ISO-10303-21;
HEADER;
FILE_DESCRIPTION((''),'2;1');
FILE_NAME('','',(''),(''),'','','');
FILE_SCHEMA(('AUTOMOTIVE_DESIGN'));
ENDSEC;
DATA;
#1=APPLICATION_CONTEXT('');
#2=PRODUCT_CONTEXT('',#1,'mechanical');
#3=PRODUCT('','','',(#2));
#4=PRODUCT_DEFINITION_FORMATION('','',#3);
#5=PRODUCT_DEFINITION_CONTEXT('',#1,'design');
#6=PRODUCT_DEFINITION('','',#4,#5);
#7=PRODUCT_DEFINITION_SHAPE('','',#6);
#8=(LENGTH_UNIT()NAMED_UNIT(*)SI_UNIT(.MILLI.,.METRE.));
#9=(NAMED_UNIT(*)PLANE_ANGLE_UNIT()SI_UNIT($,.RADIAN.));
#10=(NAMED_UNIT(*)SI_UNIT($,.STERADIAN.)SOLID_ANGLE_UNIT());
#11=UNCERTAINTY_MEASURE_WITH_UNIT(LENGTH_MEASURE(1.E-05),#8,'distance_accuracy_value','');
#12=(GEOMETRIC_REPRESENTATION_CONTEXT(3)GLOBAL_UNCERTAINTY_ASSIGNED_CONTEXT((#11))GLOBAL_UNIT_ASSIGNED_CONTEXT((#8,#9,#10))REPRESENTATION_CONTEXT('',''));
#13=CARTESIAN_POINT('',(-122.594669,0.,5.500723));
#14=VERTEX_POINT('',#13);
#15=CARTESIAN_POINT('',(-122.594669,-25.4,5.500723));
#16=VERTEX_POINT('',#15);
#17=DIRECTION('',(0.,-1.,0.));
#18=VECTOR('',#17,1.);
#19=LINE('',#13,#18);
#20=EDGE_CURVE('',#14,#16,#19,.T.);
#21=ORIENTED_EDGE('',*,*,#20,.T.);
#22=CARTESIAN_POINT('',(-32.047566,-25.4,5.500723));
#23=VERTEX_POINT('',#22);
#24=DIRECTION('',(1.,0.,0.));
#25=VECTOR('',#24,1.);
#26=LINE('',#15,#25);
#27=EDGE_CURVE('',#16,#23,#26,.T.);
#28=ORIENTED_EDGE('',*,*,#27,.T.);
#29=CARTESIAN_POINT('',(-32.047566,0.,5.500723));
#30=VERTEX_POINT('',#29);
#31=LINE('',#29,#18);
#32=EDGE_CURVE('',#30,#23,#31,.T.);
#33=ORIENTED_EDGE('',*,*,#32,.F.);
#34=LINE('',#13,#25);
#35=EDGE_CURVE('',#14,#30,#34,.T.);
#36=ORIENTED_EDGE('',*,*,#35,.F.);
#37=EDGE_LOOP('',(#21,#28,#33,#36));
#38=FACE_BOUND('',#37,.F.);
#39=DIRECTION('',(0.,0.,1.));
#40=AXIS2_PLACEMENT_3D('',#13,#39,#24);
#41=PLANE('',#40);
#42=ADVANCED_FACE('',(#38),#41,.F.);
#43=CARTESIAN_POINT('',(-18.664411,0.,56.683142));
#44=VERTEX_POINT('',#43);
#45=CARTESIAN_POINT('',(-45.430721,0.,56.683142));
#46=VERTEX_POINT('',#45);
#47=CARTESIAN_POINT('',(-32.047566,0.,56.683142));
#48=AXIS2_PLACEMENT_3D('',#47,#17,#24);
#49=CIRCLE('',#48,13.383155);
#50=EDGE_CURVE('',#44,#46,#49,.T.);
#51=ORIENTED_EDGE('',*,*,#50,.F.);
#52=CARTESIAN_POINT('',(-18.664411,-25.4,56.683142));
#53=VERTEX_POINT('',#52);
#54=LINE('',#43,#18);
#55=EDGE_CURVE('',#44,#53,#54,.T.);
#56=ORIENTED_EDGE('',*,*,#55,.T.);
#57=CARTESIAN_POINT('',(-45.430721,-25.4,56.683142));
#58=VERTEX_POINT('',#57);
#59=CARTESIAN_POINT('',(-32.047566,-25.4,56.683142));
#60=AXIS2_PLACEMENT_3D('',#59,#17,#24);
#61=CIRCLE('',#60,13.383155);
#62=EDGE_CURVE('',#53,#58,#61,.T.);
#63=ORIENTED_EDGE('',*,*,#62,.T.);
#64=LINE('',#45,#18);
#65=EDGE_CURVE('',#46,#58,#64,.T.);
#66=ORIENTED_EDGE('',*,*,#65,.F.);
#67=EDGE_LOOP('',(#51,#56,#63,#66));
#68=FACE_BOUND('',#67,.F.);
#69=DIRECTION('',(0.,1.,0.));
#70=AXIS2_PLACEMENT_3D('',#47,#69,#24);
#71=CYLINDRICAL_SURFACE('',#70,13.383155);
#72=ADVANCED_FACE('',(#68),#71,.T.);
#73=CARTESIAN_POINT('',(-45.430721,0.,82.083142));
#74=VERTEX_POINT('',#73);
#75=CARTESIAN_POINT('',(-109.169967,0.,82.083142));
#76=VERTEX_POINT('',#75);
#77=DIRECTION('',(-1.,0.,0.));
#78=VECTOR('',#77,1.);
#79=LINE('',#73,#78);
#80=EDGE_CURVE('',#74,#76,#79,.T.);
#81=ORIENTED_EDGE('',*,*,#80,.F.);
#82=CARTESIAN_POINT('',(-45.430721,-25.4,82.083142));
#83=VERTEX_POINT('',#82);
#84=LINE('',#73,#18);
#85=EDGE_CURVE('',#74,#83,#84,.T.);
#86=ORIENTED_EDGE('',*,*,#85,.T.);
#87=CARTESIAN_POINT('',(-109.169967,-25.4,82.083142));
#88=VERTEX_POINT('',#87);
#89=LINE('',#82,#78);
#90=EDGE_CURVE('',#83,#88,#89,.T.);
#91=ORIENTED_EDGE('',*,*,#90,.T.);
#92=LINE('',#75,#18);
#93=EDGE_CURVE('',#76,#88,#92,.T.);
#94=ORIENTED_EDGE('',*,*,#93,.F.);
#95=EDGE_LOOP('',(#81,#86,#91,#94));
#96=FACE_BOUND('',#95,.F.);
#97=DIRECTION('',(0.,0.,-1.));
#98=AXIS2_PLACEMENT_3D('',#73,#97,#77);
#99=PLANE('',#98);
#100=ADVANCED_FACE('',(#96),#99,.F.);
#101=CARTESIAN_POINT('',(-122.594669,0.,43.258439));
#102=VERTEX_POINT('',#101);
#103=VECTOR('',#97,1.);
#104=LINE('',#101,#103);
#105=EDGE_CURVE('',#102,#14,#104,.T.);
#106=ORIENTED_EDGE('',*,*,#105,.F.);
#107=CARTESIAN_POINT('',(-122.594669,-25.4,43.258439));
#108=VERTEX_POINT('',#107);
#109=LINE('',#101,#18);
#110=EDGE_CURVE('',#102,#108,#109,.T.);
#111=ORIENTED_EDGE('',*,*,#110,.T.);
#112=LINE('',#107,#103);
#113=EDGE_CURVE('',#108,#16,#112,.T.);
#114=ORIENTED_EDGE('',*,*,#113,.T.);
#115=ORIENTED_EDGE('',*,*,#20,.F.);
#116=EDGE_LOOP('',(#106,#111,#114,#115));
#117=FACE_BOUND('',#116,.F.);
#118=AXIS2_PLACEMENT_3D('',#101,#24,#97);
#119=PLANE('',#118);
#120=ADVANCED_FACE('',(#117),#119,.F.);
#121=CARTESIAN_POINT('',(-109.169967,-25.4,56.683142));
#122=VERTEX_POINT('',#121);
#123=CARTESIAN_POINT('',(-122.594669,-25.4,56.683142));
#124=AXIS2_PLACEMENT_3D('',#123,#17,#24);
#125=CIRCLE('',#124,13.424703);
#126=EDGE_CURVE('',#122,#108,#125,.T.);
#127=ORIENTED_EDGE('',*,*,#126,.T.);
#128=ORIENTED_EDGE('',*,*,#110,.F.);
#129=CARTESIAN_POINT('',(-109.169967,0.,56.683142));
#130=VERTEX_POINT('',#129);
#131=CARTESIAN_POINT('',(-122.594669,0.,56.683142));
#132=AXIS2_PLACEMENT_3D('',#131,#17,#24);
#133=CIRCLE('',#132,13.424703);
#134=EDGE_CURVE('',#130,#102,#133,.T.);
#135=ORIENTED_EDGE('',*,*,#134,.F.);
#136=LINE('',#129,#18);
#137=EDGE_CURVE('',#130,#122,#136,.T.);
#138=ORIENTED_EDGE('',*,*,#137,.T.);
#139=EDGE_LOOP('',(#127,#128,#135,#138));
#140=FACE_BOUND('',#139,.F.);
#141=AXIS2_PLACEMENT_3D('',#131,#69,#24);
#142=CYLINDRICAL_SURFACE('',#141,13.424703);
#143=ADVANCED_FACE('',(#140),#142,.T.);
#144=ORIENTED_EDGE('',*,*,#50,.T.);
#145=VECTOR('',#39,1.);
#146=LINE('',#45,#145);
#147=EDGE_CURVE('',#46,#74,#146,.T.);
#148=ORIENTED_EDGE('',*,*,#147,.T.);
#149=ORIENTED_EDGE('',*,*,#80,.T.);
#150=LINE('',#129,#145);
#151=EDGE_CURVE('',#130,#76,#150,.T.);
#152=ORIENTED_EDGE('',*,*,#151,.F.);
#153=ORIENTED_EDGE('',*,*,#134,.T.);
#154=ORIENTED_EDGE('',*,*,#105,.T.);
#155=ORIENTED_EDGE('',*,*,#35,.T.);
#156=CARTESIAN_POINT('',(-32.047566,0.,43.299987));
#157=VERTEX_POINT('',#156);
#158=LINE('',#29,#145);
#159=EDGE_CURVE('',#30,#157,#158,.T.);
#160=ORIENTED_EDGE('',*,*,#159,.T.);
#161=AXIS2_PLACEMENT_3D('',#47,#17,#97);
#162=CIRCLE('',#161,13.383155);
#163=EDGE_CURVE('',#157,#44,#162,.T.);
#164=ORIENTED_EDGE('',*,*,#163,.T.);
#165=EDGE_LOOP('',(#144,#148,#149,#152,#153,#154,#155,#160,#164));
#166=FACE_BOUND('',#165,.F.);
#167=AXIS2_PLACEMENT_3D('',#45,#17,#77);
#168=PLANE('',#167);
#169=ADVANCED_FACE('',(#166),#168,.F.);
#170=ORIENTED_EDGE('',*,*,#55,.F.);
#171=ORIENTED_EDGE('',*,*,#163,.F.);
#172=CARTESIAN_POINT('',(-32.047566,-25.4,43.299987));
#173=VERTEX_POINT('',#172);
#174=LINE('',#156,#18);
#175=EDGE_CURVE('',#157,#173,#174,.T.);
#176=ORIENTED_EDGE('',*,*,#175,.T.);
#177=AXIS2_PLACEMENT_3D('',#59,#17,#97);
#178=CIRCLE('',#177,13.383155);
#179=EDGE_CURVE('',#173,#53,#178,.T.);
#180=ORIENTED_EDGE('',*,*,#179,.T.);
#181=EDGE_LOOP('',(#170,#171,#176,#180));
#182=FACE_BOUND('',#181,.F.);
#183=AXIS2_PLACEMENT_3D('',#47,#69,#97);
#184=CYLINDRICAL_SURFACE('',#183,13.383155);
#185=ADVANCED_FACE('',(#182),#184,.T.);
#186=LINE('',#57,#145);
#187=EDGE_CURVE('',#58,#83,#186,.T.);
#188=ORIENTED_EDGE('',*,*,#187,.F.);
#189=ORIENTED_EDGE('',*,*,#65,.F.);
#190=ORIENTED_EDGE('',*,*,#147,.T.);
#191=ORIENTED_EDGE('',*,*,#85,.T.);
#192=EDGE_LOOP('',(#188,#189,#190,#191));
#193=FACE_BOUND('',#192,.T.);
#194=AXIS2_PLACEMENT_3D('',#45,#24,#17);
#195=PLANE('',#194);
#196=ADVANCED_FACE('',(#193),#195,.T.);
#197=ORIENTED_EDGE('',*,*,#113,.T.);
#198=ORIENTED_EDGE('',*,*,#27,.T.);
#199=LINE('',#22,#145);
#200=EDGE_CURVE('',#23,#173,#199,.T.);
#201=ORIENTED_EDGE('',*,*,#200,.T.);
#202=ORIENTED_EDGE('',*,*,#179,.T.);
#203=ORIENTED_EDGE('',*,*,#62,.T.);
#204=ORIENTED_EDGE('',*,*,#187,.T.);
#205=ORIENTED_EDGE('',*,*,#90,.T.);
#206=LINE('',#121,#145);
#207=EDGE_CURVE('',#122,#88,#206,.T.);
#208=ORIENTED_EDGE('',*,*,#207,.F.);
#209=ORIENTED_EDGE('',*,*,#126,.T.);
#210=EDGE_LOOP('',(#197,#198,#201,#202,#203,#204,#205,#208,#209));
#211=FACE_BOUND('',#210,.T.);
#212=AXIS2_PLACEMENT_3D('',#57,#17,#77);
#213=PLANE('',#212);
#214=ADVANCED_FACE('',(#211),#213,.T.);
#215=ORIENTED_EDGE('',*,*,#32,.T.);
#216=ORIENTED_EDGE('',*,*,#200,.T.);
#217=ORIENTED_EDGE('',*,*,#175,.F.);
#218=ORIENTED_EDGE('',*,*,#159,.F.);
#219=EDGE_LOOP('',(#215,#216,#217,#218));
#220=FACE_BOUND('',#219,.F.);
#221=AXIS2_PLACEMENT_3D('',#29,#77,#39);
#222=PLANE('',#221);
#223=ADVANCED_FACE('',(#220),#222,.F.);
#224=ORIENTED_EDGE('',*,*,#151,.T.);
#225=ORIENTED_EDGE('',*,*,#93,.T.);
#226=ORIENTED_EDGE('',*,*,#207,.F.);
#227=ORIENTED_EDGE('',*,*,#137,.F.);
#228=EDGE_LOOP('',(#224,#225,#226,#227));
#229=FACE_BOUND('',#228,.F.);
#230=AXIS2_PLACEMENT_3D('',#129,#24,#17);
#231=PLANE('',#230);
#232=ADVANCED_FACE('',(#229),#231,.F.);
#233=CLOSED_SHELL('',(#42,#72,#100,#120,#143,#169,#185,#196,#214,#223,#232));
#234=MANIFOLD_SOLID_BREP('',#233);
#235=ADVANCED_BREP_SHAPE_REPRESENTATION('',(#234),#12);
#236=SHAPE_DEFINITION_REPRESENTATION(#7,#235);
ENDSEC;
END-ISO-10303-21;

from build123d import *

# Parameters (mm, degrees)
F1_DEPTH = 25.4
F2_DEPTH = 25.4
F3_R     = 9.9934379812
F4_DEPTH = 25.4


with BuildPart() as f1:
    # F0 (on Front) → F1 (new body)
    with BuildSketch(Plane.XZ):
        with BuildLine():
            Line((-122.5946694613, 43.2584390598), (-122.5946694613, 56.6831417382))
            Line((-122.5946694613, 56.6831417382), (-109.1699667829, 56.6831417382))
            ThreePointArc((-109.1699667829, 56.6831417382), (-132.0873677605, 66.1758400375), (-122.5946694613, 43.2584390598))
        make_face()
        with BuildLine():
            Line((-109.1699667829, 56.6831417382), (-122.5946694613, 56.6831417382))
            Line((-122.5946694613, 56.6831417382), (-122.5946694613, 43.2584390598))
            ThreePointArc((-122.5946694613, 43.2584390598), (-113.101971162, 47.1904434389), (-109.1699667829, 56.6831417382))
        make_face()
        with BuildLine():
            Line((-45.4307209175, 56.6831417382), (-109.1699667829, 56.6831417382))
            ThreePointArc((-109.1699667829, 56.6831417382), (-113.101971162, 47.1904434389), (-122.5946694613, 43.2584390598))
            Line((-122.5946694613, 43.2584390598), (-122.5946694613, 5.5007226765))
            Line((-122.5946694613, 5.5007226765), (-32.0475660264, 5.5007226765))
            Line((-32.0475660264, 5.5007226765), (-32.0475660264, 43.2999868471))
            ThreePointArc((-32.0475660264, 43.2999868471), (-41.5108856036, 47.2198221611), (-45.4307209175, 56.6831417382))
        make_face()
        with BuildLine():
            ThreePointArc((-18.6644111354, 56.6831417382), (-32.0475660264, 70.0662966292), (-45.4307209175, 56.6831417382))
            Line((-45.4307209175, 56.6831417382), (-32.0475660264, 56.6831417382))
            Line((-32.0475660264, 56.6831417382), (-32.0475660264, 43.2999868471))
            ThreePointArc((-32.0475660264, 43.2999868471), (-22.5842464493, 47.2198221611), (-18.6644111354, 56.6831417382))
        make_face()
        with BuildLine():
            Line((-32.0475660264, 56.6831417382), (-45.4307209175, 56.6831417382))
            ThreePointArc((-45.4307209175, 56.6831417382), (-41.5108856036, 47.2198221611), (-32.0475660264, 43.2999868471))
            Line((-32.0475660264, 43.2999868471), (-32.0475660264, 56.6831417382))
        make_face()
    extrude(amount=F1_DEPTH)

    # F2 (add): a face of the model
    f2_faces = [f1.faces().sort_by_distance(p)[0] for p in [
        (-77.3003438502, -12.7, 56.6831417382),
    ]]
    extrude(f2_faces, amount=F2_DEPTH)

    # F3 (on face) → F4 (join)
    with BuildSketch(Plane.XZ.offset(25.4)):
        with Locations((-32.0475660264, 56.6831417382)):
            Circle(F3_R)
    extrude(amount=-F4_DEPTH)


solid = f1.part
